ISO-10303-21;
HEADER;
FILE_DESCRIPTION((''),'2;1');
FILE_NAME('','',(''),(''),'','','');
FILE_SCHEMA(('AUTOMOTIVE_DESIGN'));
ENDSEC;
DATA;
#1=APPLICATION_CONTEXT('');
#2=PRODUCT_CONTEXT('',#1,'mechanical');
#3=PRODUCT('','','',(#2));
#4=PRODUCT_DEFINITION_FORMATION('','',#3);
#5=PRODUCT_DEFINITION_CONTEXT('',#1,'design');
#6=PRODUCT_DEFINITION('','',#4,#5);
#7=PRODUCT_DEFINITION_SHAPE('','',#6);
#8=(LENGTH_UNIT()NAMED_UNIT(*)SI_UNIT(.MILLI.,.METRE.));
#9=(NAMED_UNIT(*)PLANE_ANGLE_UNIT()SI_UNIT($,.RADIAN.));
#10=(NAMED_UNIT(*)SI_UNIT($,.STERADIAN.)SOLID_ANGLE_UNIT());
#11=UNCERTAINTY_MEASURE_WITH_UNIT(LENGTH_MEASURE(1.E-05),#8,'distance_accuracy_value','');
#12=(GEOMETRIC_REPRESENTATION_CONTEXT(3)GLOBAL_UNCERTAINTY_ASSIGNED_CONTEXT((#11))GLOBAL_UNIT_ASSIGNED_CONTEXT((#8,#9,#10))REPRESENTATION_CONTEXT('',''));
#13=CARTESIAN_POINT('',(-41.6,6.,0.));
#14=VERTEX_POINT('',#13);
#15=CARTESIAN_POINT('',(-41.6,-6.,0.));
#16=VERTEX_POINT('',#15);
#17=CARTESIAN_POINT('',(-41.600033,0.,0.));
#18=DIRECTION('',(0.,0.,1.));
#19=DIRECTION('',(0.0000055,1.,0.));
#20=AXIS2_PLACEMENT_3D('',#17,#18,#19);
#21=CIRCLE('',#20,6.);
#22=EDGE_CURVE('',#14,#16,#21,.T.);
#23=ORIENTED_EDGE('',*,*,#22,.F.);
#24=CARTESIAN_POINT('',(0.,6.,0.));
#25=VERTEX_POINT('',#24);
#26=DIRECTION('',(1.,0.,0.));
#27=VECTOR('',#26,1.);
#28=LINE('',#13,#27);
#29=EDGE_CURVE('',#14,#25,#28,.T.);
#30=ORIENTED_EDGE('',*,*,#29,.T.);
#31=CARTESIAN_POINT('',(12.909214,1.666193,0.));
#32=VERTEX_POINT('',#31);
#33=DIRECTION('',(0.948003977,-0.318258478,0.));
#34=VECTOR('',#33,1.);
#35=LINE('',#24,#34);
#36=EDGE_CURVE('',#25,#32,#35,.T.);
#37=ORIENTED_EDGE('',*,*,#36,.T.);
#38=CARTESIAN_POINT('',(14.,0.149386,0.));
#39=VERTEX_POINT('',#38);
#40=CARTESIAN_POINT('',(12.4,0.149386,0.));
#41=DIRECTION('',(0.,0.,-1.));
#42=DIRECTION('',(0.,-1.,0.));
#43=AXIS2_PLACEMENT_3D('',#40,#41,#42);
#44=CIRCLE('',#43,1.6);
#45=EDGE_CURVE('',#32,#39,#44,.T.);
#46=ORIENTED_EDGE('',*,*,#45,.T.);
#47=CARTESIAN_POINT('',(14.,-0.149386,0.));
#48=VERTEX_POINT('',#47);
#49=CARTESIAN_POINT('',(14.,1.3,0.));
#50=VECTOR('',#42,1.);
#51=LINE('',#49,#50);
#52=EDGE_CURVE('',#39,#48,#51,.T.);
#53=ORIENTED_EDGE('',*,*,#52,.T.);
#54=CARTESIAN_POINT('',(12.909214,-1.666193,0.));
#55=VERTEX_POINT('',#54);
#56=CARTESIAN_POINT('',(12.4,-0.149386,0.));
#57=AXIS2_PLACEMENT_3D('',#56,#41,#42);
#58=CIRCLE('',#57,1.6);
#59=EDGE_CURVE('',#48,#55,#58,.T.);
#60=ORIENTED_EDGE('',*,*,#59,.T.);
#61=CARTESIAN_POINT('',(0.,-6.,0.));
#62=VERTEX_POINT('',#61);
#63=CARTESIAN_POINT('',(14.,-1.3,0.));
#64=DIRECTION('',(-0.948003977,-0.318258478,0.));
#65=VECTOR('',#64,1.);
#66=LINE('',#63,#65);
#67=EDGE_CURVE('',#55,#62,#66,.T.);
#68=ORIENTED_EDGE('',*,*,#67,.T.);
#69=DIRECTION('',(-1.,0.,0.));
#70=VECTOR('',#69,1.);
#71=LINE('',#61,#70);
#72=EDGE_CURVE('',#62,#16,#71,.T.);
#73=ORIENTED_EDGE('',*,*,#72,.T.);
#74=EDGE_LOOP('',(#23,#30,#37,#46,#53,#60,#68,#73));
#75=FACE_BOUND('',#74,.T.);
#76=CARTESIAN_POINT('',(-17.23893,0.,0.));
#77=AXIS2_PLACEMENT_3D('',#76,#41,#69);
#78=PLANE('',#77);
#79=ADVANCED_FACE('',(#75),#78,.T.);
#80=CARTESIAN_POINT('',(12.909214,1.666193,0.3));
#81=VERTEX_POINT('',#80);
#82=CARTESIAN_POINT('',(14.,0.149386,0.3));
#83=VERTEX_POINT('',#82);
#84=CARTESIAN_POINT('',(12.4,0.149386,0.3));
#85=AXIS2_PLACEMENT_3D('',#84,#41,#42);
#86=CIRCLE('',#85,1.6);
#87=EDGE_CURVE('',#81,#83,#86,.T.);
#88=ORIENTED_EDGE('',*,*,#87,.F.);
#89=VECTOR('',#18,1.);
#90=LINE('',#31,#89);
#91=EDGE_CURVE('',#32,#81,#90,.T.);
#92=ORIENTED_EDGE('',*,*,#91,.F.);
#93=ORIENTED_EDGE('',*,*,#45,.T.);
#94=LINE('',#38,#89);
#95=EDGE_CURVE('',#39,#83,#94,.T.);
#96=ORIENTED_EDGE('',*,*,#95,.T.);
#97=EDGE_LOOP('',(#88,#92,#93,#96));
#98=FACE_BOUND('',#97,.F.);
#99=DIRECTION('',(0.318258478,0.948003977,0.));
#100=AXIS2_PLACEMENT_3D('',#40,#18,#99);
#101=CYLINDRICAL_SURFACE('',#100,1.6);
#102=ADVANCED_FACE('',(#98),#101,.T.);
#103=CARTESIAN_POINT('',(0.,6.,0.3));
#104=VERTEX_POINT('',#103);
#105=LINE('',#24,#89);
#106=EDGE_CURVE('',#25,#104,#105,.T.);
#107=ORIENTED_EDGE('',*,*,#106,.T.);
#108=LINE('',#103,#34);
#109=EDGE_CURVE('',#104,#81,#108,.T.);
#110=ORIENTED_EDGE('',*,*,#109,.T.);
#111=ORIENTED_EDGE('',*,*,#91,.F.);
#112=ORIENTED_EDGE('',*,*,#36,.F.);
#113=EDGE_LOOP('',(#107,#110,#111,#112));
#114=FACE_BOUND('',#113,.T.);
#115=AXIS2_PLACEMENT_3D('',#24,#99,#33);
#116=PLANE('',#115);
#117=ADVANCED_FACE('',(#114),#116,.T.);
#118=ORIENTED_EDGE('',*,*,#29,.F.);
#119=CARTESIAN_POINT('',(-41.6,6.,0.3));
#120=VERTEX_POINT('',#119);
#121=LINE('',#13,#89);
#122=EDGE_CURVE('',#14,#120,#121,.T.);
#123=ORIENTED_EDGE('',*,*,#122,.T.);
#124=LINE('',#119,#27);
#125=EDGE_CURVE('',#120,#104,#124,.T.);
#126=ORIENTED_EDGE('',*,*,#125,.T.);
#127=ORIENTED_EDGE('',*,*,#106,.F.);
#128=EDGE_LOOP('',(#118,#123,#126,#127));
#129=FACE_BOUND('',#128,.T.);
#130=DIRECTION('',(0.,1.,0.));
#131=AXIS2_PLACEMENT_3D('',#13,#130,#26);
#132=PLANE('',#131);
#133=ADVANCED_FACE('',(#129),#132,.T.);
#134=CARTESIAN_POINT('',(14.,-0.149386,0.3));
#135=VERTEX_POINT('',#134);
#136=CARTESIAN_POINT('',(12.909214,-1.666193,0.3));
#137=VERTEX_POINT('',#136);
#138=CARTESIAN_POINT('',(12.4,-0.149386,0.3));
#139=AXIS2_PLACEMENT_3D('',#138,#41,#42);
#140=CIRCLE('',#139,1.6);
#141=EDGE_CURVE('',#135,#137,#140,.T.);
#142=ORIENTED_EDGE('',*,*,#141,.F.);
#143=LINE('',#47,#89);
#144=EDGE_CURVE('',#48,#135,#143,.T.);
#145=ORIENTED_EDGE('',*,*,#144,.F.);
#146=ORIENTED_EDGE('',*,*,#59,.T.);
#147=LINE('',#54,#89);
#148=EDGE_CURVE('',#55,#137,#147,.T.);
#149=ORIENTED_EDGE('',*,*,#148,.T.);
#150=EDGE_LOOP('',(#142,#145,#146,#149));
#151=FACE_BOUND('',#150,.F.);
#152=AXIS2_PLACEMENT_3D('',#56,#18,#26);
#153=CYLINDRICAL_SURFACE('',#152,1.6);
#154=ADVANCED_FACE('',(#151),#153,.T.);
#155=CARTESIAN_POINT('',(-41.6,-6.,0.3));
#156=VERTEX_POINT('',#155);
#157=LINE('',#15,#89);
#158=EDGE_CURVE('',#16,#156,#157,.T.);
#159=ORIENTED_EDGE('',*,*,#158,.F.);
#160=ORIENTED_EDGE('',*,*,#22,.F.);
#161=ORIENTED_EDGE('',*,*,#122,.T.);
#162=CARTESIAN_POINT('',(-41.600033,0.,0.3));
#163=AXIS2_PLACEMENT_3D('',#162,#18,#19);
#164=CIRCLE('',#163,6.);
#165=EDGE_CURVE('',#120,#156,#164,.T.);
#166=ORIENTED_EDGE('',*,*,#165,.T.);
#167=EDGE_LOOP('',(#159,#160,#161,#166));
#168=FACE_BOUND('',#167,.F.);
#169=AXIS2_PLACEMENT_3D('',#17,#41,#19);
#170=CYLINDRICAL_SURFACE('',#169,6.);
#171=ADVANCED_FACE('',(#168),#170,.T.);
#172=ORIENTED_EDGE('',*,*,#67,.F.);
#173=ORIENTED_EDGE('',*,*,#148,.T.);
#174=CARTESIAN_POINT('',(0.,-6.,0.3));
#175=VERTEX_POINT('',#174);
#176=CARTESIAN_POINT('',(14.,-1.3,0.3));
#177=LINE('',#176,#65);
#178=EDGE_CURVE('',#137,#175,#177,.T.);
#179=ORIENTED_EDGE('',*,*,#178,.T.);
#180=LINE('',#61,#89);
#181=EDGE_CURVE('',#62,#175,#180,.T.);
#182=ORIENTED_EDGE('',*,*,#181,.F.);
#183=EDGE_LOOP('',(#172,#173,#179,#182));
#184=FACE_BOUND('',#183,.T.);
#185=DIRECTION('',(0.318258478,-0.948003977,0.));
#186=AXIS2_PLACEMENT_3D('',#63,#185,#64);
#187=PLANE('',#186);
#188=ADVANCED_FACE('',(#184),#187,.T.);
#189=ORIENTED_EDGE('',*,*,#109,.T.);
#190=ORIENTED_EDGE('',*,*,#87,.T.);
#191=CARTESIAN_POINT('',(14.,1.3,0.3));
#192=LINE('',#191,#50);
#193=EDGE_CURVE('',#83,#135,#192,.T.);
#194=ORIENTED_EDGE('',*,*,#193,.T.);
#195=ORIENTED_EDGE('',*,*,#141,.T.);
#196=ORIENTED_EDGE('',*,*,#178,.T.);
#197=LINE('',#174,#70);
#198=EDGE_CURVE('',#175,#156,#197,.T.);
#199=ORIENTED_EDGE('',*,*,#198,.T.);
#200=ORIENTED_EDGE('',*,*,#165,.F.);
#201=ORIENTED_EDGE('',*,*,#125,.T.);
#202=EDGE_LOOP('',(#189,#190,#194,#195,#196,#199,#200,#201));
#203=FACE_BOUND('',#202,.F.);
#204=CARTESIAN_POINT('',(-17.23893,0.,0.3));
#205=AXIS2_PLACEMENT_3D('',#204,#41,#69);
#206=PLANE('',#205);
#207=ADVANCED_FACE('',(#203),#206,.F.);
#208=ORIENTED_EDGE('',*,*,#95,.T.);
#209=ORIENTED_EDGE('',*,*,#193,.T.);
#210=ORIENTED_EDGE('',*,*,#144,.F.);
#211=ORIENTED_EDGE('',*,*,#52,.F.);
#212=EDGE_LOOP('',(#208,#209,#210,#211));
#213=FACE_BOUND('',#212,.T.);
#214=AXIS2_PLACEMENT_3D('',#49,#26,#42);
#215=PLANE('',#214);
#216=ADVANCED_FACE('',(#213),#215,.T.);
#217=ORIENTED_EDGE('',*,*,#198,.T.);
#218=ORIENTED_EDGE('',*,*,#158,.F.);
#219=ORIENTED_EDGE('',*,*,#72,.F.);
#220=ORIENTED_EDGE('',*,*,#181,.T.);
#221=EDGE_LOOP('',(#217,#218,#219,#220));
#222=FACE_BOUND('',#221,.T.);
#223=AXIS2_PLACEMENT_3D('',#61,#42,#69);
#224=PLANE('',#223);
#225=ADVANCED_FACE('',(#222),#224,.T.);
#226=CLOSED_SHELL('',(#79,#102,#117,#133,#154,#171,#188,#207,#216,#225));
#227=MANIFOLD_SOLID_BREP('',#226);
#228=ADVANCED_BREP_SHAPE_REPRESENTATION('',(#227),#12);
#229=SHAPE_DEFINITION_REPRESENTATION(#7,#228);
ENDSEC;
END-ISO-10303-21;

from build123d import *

# Parameters (mm, degrees)
PAD_DEPTH = 0.3
FILLET_R  = 1.6


with BuildPart() as part:
    # Sketch → Pad (new body)
    with BuildSketch(Plane.XY):
        with BuildLine():
            Line((-41.6, 6), (0, 6))
            Line((0, 6), (14, 1.3))
            Line((14, 1.3), (14, -1.3))
            Line((14, -1.3), (0, -6))
            Line((0, -6), (-41.6, -6))
            ThreePointArc((-41.6, 6), (-47.600033, 0), (-41.6, -6))
        make_face()
    extrude(amount=PAD_DEPTH)

    # Fillet
    fillet_edges = [part.edges().sort_by_distance(p)[0] for p in [
        (14, -1.3, 0.15),
        (14, 1.3, 0.15),
    ]]
    fillet(fillet_edges, radius=FILLET_R)


solid = part.part
